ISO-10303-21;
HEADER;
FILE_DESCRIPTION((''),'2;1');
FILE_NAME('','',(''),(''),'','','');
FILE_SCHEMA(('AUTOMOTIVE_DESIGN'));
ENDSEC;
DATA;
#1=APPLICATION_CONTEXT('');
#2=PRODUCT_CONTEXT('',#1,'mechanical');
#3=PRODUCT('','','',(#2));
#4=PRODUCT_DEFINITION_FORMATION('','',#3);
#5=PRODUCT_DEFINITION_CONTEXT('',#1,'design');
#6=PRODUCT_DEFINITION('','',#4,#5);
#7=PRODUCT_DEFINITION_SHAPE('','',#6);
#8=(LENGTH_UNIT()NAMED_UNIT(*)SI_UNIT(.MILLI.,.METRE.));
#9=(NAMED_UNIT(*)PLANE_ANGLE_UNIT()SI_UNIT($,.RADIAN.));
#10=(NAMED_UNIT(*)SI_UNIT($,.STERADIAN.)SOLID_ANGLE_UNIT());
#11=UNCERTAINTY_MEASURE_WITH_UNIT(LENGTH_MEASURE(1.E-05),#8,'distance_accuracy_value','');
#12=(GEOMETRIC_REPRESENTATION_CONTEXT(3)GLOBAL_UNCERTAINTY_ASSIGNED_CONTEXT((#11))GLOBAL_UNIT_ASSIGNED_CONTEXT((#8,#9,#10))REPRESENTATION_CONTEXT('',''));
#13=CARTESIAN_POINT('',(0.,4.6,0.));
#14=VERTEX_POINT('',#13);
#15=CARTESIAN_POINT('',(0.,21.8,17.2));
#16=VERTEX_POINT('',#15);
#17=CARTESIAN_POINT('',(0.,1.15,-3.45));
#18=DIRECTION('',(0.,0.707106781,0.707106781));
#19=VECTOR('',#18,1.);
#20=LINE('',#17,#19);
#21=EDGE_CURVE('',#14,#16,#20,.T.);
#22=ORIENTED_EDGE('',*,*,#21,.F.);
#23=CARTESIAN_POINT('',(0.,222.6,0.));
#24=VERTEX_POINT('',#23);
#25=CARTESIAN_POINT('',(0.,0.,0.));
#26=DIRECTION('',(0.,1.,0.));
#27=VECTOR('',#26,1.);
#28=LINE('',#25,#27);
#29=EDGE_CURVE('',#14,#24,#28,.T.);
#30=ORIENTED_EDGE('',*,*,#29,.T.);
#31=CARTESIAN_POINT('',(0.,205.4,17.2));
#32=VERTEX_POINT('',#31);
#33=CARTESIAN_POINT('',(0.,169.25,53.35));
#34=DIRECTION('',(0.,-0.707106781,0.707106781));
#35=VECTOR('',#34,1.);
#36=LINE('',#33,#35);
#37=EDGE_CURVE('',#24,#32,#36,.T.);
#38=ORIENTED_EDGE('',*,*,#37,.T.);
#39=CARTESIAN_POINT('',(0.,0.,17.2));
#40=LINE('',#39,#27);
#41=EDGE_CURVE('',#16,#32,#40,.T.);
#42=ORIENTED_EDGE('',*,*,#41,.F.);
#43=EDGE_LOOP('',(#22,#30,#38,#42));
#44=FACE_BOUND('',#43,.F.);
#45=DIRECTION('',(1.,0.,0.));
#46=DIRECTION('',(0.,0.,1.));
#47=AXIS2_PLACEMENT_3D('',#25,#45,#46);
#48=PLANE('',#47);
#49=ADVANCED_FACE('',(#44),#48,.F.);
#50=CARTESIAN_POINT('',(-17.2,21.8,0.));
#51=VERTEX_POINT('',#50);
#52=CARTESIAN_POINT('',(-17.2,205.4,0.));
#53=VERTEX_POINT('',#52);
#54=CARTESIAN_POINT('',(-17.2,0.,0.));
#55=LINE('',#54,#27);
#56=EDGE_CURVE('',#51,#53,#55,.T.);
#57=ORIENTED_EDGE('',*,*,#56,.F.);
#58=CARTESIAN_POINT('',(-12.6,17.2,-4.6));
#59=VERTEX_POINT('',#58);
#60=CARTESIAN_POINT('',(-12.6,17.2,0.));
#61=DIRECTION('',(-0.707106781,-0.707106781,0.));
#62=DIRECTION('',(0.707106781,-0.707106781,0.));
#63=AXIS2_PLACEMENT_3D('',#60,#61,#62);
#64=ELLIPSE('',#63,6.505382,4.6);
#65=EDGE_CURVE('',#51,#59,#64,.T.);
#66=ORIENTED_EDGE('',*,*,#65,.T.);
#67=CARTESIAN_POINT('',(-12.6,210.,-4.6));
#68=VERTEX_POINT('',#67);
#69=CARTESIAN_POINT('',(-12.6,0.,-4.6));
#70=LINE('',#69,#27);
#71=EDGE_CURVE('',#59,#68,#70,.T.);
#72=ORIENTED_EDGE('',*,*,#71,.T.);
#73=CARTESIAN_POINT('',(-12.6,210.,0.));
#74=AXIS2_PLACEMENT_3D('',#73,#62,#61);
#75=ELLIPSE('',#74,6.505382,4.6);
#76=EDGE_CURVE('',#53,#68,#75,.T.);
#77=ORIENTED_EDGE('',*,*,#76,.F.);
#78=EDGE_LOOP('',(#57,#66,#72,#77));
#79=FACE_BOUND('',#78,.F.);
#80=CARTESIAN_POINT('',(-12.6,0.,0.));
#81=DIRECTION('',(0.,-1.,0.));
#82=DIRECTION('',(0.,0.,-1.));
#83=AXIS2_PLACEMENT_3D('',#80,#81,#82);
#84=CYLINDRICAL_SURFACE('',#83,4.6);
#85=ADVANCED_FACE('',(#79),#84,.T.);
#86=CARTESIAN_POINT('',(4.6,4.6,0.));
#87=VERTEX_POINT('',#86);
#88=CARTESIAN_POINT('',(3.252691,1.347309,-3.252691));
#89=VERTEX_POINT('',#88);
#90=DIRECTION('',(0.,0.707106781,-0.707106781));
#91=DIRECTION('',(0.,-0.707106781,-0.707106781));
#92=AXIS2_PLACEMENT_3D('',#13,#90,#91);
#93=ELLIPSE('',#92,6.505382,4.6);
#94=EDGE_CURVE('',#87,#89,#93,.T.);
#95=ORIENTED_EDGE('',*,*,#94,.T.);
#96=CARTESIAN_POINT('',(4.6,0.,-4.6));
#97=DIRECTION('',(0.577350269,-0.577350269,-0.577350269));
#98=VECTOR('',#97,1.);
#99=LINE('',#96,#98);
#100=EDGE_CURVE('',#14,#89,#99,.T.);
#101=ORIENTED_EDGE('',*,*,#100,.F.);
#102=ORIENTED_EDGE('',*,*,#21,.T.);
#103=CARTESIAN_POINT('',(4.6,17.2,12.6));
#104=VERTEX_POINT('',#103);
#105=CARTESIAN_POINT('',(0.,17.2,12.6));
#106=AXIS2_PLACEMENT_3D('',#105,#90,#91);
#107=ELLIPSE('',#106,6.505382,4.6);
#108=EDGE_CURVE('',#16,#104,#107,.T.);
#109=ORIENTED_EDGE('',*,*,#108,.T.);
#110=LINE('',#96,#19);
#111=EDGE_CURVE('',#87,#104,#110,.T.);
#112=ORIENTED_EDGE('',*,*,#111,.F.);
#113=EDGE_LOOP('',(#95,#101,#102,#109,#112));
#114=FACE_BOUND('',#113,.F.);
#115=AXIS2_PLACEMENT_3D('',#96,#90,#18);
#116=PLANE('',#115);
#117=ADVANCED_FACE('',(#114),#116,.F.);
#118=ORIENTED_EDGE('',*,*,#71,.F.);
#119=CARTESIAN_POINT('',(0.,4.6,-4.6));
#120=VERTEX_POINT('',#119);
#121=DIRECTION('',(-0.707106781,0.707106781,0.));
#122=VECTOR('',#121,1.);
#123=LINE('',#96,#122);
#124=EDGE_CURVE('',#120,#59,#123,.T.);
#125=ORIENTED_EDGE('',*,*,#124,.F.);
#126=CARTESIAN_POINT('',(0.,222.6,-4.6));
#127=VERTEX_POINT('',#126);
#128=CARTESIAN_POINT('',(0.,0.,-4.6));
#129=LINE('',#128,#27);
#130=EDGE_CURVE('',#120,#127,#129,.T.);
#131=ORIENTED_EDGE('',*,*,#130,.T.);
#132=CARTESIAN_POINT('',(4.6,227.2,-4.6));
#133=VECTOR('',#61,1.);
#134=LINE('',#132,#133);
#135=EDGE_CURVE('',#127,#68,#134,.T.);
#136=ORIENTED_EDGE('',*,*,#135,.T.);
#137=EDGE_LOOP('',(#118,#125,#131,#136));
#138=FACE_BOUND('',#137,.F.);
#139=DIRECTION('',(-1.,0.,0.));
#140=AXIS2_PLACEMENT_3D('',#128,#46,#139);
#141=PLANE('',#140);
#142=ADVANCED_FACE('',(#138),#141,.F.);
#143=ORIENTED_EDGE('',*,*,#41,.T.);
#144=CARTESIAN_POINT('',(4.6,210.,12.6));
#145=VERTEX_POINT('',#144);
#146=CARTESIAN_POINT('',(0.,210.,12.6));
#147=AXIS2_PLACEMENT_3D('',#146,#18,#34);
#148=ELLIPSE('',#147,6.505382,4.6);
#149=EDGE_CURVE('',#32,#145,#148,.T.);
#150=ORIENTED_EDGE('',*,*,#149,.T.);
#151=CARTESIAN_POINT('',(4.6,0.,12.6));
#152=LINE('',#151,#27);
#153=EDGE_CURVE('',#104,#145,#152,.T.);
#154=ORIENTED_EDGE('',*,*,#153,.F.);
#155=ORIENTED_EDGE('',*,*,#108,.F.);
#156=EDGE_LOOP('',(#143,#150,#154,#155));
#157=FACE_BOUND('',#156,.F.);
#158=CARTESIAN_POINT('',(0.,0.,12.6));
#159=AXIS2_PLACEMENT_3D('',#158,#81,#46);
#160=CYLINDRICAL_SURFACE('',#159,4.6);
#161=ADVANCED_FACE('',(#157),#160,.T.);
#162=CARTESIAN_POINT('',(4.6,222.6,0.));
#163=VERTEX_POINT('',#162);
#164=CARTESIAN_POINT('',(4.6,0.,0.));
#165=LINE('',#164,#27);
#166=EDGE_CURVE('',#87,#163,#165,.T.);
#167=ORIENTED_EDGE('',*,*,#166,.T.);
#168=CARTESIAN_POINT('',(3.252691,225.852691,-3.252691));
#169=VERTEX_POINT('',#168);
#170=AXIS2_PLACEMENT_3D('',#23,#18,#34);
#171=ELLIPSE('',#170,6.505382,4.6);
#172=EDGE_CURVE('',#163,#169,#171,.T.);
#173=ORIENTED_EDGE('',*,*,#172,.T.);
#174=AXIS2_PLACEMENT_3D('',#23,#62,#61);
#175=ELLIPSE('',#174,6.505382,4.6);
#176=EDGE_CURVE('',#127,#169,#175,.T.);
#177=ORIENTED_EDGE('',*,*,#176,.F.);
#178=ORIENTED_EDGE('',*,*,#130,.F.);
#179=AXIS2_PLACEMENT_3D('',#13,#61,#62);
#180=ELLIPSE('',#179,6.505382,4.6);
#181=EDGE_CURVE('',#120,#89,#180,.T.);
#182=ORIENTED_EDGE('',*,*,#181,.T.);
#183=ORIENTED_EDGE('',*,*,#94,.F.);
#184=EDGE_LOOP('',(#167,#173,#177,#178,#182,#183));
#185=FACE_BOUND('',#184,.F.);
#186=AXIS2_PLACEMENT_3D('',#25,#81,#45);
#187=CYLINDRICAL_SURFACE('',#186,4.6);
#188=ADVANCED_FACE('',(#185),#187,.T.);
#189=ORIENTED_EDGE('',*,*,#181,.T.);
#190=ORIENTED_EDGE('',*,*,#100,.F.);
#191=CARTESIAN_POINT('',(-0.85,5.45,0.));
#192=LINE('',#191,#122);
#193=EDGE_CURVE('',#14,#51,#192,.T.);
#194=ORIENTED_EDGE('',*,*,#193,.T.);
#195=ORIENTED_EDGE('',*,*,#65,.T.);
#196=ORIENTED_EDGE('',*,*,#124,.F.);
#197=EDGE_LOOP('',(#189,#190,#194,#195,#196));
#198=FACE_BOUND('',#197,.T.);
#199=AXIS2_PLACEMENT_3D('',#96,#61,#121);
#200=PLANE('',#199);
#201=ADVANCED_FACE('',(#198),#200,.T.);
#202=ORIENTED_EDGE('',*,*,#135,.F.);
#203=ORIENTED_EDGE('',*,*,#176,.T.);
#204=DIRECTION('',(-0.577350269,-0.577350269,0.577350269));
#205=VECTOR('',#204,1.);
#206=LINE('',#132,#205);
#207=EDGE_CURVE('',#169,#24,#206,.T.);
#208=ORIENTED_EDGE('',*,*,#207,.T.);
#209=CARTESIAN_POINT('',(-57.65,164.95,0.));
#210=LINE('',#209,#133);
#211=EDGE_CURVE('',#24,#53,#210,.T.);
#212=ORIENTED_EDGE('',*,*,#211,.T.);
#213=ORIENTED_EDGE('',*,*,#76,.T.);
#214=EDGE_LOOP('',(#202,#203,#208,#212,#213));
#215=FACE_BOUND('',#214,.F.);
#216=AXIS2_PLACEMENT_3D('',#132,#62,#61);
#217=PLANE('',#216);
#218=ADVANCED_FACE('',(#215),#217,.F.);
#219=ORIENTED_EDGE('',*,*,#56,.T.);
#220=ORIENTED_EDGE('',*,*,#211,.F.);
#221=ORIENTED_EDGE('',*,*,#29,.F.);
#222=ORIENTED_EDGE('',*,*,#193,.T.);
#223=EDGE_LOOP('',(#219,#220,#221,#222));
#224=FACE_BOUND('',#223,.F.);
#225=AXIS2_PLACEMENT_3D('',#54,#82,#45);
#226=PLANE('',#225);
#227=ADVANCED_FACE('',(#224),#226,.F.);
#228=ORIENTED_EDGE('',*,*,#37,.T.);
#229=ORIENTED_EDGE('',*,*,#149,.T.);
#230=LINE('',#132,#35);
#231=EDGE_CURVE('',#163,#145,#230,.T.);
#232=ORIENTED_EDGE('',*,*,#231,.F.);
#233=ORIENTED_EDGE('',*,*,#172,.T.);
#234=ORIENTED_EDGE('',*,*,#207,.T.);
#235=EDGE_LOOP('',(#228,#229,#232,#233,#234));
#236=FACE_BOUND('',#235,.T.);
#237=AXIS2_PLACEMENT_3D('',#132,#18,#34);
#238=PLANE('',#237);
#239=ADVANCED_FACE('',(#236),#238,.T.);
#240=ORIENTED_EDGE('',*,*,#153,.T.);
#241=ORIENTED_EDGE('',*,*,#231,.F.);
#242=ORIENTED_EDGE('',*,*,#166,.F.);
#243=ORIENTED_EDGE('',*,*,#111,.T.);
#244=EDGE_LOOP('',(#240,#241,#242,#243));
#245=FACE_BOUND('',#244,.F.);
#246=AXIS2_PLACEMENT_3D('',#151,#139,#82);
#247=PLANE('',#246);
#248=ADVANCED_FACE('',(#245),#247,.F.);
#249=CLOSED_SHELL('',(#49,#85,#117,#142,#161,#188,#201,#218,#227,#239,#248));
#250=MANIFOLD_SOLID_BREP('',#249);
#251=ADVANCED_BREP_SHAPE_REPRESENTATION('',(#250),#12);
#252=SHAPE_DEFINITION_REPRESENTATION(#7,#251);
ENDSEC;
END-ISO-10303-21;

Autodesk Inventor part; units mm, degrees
ref_plane "YZ Plane" through (0, 0, 0) normal (1, 0, 0) x (0, 1, 0)
ref_plane "XZ Plane" through (0, 0, 0) normal (0, 1, 0) x (-1, 0, 0)
ref_plane "XY Plane" through (0, 0, 0) normal (0, 0, 1) x (1, 0, 0)
sketch "Skizze1" plane through (0, 0, 0) normal (0, 1, 0) x (-1, 0, 0)
  line L0 (-4.6, 12.6) -> (-4.6, 0)
  arc A0 (-4.6, 0) -> (0, -4.6) centre (0, 0) ccw
  line L1 (0, -4.6) -> (12.6, -4.6)
  arc A1 (12.6, -4.6) -> (17.2, 0) centre (12.6, 0) ccw
  line L2 (17.2, 0) -> (0, 0)
  line L3 (0, 0) -> (0, 17.2)
  arc A2 (0, 17.2) -> (-4.6, 12.6) centre (0, 12.6) ccw
  point P0 (0, 0)
  dimension "d0" = 4.6
  dimension "d1" = 21.8
extrude "Extrusion1" add sketch "Skizze1" along normal blind 227.2
sketch "Skizze2" plane through (0, 0, -4.6) normal (0, 0, -1) x (-1, 0, 0)
  line L0 (-4.6, 0) -> (17.2, 21.8)
  line L1 (17.2, 0) -> (17.2, 227.2) projected
  line L2 (17.2, 0) -> (12.6, 0) projected
  line L3 (17.2, 21.8) -> (17.2, 0)
  line L4 (17.2, 0) -> (-4.6, 0)
  line L5 (17.2, 227.2) -> (-4.6, 227.2)
  line L6 (-4.6, 227.2) -> (17.2, 205.4)
  line L7 (17.2, 227.2) -> (17.2, 205.4)
  point P0 (0, 0)
  dimension "d4" = 45
  dimension "d7" = 45
extrude "Extrusion2" cut sketch "Skizze2" against normal through all
sketch "Skizze3" plane through (4.6, 0, 0) normal (1, 0, 0) x (0, 0, -1)
  line L0 (4.6, 0) -> (-17.2, 21.8)
  line L1 (-17.2, 4.6) -> (-17.2, 222.6) projected
  line L2 (-17.2, 21.8) -> (-17.2, 0)
  line L3 (-17.2, 0) -> (4.6, 0)
  line L4 (-17.2, 205.4) -> (-17.2, 227.2)
  line L5 (-17.2, 227.2) -> (4.6, 227.2)
  line L6 (4.6, 227.2) -> (-17.2, 205.4)
  point P0 (0, 0)
  point P1 (4.6, 4.6)
  point P2 (-12.6, 227.2)
  dimension "d8" = 45
  dimension "d9" = 45
extrude "Extrusion3" cut sketch "Skizze3" against normal through all
properties part number "winkelTop" material "Kiefer"
